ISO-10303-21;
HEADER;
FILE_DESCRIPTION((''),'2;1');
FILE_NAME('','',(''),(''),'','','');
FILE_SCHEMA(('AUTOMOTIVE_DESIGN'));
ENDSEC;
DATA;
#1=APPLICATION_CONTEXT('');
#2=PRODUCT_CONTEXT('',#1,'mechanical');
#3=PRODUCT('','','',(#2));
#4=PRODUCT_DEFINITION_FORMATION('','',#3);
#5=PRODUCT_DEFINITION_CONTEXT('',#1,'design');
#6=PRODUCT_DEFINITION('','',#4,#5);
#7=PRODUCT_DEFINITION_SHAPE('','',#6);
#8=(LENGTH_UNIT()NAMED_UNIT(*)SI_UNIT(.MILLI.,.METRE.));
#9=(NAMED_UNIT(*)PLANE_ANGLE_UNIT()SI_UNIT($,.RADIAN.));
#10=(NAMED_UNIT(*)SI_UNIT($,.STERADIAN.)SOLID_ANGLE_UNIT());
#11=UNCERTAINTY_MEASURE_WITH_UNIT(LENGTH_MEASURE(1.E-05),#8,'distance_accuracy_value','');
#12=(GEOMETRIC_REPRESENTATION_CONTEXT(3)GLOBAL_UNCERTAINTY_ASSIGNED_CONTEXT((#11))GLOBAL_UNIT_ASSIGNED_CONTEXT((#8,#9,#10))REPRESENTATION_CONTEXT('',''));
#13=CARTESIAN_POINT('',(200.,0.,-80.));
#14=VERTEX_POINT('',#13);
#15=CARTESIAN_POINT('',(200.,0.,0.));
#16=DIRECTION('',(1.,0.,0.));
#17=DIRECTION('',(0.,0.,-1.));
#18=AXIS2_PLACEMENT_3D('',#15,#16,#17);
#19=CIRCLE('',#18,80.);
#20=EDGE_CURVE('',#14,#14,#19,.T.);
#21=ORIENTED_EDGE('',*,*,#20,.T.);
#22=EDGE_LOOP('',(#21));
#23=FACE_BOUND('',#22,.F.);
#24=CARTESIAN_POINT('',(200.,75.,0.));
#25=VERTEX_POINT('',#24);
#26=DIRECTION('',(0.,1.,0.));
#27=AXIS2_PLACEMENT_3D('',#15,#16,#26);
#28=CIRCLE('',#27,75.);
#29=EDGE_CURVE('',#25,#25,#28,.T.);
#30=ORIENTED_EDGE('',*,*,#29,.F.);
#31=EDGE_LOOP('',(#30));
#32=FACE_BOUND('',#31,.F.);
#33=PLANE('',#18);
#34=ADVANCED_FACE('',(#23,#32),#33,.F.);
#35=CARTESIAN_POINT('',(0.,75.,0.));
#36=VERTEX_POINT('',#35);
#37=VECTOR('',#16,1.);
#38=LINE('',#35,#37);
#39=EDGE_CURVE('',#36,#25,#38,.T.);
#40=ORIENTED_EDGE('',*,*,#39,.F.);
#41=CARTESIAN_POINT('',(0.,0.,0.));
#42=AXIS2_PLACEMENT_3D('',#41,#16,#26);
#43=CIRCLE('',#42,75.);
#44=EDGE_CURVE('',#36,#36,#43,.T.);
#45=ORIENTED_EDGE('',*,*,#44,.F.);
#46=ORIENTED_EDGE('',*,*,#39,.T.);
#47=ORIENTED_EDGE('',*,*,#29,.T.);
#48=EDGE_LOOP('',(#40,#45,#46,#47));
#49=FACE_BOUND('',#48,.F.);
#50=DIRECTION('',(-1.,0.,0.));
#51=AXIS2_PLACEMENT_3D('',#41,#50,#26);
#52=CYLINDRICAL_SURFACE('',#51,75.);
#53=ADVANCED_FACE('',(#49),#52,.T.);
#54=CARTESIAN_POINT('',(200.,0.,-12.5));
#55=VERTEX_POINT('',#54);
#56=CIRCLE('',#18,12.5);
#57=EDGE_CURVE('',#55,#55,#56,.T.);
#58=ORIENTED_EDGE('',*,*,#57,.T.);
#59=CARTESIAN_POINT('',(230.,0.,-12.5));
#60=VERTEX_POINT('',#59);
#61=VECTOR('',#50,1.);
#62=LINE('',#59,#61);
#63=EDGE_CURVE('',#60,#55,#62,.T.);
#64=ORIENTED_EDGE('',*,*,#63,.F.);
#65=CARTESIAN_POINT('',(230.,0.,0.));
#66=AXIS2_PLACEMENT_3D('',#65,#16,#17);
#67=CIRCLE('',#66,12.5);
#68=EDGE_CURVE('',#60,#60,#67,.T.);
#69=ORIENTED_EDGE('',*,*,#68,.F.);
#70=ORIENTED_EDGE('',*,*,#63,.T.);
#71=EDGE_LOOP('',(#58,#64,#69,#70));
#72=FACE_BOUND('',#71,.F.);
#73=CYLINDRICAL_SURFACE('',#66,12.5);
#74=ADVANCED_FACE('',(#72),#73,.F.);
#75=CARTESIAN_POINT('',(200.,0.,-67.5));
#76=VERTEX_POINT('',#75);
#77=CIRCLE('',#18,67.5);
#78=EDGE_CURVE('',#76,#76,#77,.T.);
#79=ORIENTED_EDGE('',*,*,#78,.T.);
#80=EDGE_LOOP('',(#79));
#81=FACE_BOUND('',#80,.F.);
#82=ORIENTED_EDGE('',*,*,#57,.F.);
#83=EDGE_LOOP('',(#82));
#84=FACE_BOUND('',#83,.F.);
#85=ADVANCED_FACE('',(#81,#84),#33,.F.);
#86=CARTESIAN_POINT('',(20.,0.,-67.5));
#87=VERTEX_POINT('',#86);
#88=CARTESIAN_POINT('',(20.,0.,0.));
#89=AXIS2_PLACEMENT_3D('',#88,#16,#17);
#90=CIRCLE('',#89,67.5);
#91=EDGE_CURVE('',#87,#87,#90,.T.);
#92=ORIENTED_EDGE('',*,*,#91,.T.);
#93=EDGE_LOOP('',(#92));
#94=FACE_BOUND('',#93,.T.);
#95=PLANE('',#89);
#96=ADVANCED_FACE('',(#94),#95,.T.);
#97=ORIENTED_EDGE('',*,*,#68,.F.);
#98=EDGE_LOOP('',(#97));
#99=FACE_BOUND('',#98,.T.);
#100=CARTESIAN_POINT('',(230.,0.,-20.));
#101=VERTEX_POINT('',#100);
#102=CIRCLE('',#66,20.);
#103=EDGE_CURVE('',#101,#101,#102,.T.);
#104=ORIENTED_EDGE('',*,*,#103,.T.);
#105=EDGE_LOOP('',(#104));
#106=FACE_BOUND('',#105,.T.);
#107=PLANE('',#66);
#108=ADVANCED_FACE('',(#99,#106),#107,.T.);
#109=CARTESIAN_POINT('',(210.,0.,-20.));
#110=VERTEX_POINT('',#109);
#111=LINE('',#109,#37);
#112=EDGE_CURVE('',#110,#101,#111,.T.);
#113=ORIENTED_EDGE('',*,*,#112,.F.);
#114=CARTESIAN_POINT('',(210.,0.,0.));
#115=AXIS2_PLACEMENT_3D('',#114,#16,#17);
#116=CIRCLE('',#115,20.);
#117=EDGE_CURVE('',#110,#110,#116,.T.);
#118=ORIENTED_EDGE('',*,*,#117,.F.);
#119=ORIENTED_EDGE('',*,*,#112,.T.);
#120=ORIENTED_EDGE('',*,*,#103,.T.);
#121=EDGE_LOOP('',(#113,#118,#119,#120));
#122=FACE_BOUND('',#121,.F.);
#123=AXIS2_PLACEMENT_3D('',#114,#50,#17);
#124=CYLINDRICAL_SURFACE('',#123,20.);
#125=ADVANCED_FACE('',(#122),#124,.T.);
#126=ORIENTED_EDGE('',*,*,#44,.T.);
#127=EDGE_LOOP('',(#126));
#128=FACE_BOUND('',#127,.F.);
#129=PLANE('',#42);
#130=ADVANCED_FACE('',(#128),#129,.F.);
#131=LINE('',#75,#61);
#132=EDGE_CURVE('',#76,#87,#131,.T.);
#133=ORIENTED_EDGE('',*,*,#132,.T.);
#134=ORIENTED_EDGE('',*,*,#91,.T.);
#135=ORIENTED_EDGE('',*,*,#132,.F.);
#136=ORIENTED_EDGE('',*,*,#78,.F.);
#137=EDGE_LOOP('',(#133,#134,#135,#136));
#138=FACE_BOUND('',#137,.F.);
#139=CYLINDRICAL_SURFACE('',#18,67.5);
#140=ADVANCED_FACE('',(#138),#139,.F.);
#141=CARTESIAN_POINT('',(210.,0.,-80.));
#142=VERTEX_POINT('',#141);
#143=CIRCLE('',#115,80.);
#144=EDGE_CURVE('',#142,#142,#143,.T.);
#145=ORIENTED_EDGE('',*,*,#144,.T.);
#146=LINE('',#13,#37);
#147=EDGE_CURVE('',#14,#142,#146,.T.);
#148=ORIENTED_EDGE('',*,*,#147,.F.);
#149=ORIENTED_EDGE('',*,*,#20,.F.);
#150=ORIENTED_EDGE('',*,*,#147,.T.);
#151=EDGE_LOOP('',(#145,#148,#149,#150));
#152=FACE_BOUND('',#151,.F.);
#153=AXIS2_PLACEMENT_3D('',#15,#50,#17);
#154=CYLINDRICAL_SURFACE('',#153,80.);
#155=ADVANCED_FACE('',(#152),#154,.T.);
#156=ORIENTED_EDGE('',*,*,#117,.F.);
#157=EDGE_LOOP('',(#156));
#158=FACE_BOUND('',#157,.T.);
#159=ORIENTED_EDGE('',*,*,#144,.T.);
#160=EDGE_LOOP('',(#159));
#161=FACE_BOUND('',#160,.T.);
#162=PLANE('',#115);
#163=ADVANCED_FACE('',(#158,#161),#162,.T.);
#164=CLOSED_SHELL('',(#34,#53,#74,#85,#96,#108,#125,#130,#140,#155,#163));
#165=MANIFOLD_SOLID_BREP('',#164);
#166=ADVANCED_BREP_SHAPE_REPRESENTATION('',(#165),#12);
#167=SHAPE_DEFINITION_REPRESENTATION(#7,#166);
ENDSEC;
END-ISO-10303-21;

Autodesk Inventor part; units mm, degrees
ref_plane "YZ Plane" through (0, 0, 0) normal (1, 0, 0) x (0, 1, 0)
ref_plane "XZ Plane" through (0, 0, 0) normal (0, 1, 0) x (-1, 0, 0)
ref_plane "XY Plane" through (0, 0, 0) normal (0, 0, 1) x (1, 0, 0)
sketch "Sketch1" plane through (0, 0, 0) normal (1, 0, 0) x (0, 1, 0)
  circle A0 centre (0, 0) radius 75
  dimension "d0" = 150
extrude "Extrusion1" add sketch "Sketch1" along normal blind 200
sketch "Sketch2" plane through (200, 0, 0) normal (1, 0, 0) x (0, 0, -1)
  circle A0 centre (0, 0) radius 67.5
  dimension "d3" = 135
extrude "Extrusion2" cut sketch "Sketch2" against normal blind 180
sketch "Sketch3" plane through (200, 0, 0) normal (1, 0, 0) x (0, 0, -1)
  circle A0 centre (0, 0) radius 67.5 projected
  circle A1 centre (0, 0) radius 80
  dimension "d6" = 160
extrude "Extrusion3" add sketch "Sketch3" along normal blind 10 contours A0 | A1
sketch "Sketch4" plane through (210, 0, 0) normal (1, 0, 0) x (0, 0, -1)
  circle A0 centre (0, 0) radius 20
  dimension "d9" = 40
extrude "Extrusion4" add sketch "Sketch4" along normal blind 20
sketch "Sketch5" plane through (230, 0, 0) normal (1, 0, 0) x (0, 0, -1)
  circle A0 centre (0, 0) radius 12.5
  dimension "d12" = 25
extrude "Extrusion5" cut sketch "Sketch5" against normal blind 40
equation "\"BendRadius\" = Thickness"
equation "\"BendReliefWidth\" = Thickness"
equation "\"BendReliefDepth\" = 0.5 * Thickness"
equation "\"CornerReliefSize\" = 4 * Thickness"
equation "\"MinimumRemnant\" = 2 * Thickness"
equation "\"TransitionRadius\" = BendRadius"
equation "\"JacobiRadiusSize\" = BendRadius"
equation "\"GapSize\" = Thickness"
equation "\"Thickness\" = 3.048"
properties part number "Container1"
